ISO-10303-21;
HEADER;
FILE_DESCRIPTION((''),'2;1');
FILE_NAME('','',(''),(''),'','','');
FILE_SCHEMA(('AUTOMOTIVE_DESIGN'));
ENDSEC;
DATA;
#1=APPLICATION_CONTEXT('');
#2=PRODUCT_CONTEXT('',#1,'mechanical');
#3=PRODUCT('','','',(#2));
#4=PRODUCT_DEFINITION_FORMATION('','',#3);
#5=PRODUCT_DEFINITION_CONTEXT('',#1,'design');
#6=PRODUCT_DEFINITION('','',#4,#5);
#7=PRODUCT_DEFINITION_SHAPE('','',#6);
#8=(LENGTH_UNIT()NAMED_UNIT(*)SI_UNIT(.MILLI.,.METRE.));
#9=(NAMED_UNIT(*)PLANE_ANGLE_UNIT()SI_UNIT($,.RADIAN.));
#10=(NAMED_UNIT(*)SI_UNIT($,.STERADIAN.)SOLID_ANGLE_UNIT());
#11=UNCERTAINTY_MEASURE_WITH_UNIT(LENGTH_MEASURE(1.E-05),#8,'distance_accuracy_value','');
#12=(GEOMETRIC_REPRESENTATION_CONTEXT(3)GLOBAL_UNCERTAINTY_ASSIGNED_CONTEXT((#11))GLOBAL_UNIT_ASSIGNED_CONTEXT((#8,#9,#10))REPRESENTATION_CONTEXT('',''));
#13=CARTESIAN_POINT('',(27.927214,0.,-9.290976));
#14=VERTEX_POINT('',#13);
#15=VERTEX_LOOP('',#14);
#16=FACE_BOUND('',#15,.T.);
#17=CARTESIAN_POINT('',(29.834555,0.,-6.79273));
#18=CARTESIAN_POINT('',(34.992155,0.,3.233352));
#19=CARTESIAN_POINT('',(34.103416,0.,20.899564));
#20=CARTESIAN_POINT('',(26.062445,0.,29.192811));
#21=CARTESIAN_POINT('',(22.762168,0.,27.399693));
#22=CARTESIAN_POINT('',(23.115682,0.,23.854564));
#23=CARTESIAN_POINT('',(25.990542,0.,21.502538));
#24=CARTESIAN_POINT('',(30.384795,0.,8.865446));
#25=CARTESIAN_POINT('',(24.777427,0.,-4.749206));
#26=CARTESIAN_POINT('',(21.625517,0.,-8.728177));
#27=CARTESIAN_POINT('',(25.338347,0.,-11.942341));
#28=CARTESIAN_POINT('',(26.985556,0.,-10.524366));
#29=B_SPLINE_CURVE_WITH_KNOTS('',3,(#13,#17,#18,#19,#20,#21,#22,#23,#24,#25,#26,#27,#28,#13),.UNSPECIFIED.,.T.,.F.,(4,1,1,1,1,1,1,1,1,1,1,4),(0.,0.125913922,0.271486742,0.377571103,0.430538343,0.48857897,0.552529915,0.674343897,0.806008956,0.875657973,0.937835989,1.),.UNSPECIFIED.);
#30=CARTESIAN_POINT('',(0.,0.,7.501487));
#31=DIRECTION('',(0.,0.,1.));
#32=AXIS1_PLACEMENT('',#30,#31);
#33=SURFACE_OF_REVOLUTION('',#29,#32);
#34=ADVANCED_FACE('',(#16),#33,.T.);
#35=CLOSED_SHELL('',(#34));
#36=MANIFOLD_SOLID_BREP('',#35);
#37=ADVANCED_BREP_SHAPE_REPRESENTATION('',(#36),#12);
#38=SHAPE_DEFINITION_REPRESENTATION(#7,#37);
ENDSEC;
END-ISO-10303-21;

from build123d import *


with BuildPart() as f2:
    # F0 (on Front) → F2 (revolve)
    with BuildSketch(Plane.XZ):
        with BuildLine():
            add(Edge.make_bspline(
                [(27.9272142798, -9.2909755185), (29.8345549553, -6.7927296878), (34.9921550727, 3.2333524322), (34.1034164569, 20.89956359), (26.0624450993, 29.1928112026), (22.7621675124, 27.3996927698), (23.1156821984, 23.8545644337), (25.9905422277, 21.5025376913), (30.3847949104, 8.8654459268), (24.7774273307, -4.7492055555), (21.6255174608, -8.7281773728), (25.338347455, -11.9423413619), (26.9855555278, -10.5243655894), (27.9272142798, -9.2909755185)],
                knots=[0, 0, 0, 0, 0.1259139221, 0.2714867419, 0.3775711032, 0.4305383429, 0.4885789705, 0.5525299151, 0.6743438972, 0.8060089557, 0.875657973, 0.937835989, 1, 1, 1, 1], degree=3))
        make_face()
    revolve(axis=Axis((0, 0, 7.5014866889), (0, 0, 1)))


solid = f2.part
